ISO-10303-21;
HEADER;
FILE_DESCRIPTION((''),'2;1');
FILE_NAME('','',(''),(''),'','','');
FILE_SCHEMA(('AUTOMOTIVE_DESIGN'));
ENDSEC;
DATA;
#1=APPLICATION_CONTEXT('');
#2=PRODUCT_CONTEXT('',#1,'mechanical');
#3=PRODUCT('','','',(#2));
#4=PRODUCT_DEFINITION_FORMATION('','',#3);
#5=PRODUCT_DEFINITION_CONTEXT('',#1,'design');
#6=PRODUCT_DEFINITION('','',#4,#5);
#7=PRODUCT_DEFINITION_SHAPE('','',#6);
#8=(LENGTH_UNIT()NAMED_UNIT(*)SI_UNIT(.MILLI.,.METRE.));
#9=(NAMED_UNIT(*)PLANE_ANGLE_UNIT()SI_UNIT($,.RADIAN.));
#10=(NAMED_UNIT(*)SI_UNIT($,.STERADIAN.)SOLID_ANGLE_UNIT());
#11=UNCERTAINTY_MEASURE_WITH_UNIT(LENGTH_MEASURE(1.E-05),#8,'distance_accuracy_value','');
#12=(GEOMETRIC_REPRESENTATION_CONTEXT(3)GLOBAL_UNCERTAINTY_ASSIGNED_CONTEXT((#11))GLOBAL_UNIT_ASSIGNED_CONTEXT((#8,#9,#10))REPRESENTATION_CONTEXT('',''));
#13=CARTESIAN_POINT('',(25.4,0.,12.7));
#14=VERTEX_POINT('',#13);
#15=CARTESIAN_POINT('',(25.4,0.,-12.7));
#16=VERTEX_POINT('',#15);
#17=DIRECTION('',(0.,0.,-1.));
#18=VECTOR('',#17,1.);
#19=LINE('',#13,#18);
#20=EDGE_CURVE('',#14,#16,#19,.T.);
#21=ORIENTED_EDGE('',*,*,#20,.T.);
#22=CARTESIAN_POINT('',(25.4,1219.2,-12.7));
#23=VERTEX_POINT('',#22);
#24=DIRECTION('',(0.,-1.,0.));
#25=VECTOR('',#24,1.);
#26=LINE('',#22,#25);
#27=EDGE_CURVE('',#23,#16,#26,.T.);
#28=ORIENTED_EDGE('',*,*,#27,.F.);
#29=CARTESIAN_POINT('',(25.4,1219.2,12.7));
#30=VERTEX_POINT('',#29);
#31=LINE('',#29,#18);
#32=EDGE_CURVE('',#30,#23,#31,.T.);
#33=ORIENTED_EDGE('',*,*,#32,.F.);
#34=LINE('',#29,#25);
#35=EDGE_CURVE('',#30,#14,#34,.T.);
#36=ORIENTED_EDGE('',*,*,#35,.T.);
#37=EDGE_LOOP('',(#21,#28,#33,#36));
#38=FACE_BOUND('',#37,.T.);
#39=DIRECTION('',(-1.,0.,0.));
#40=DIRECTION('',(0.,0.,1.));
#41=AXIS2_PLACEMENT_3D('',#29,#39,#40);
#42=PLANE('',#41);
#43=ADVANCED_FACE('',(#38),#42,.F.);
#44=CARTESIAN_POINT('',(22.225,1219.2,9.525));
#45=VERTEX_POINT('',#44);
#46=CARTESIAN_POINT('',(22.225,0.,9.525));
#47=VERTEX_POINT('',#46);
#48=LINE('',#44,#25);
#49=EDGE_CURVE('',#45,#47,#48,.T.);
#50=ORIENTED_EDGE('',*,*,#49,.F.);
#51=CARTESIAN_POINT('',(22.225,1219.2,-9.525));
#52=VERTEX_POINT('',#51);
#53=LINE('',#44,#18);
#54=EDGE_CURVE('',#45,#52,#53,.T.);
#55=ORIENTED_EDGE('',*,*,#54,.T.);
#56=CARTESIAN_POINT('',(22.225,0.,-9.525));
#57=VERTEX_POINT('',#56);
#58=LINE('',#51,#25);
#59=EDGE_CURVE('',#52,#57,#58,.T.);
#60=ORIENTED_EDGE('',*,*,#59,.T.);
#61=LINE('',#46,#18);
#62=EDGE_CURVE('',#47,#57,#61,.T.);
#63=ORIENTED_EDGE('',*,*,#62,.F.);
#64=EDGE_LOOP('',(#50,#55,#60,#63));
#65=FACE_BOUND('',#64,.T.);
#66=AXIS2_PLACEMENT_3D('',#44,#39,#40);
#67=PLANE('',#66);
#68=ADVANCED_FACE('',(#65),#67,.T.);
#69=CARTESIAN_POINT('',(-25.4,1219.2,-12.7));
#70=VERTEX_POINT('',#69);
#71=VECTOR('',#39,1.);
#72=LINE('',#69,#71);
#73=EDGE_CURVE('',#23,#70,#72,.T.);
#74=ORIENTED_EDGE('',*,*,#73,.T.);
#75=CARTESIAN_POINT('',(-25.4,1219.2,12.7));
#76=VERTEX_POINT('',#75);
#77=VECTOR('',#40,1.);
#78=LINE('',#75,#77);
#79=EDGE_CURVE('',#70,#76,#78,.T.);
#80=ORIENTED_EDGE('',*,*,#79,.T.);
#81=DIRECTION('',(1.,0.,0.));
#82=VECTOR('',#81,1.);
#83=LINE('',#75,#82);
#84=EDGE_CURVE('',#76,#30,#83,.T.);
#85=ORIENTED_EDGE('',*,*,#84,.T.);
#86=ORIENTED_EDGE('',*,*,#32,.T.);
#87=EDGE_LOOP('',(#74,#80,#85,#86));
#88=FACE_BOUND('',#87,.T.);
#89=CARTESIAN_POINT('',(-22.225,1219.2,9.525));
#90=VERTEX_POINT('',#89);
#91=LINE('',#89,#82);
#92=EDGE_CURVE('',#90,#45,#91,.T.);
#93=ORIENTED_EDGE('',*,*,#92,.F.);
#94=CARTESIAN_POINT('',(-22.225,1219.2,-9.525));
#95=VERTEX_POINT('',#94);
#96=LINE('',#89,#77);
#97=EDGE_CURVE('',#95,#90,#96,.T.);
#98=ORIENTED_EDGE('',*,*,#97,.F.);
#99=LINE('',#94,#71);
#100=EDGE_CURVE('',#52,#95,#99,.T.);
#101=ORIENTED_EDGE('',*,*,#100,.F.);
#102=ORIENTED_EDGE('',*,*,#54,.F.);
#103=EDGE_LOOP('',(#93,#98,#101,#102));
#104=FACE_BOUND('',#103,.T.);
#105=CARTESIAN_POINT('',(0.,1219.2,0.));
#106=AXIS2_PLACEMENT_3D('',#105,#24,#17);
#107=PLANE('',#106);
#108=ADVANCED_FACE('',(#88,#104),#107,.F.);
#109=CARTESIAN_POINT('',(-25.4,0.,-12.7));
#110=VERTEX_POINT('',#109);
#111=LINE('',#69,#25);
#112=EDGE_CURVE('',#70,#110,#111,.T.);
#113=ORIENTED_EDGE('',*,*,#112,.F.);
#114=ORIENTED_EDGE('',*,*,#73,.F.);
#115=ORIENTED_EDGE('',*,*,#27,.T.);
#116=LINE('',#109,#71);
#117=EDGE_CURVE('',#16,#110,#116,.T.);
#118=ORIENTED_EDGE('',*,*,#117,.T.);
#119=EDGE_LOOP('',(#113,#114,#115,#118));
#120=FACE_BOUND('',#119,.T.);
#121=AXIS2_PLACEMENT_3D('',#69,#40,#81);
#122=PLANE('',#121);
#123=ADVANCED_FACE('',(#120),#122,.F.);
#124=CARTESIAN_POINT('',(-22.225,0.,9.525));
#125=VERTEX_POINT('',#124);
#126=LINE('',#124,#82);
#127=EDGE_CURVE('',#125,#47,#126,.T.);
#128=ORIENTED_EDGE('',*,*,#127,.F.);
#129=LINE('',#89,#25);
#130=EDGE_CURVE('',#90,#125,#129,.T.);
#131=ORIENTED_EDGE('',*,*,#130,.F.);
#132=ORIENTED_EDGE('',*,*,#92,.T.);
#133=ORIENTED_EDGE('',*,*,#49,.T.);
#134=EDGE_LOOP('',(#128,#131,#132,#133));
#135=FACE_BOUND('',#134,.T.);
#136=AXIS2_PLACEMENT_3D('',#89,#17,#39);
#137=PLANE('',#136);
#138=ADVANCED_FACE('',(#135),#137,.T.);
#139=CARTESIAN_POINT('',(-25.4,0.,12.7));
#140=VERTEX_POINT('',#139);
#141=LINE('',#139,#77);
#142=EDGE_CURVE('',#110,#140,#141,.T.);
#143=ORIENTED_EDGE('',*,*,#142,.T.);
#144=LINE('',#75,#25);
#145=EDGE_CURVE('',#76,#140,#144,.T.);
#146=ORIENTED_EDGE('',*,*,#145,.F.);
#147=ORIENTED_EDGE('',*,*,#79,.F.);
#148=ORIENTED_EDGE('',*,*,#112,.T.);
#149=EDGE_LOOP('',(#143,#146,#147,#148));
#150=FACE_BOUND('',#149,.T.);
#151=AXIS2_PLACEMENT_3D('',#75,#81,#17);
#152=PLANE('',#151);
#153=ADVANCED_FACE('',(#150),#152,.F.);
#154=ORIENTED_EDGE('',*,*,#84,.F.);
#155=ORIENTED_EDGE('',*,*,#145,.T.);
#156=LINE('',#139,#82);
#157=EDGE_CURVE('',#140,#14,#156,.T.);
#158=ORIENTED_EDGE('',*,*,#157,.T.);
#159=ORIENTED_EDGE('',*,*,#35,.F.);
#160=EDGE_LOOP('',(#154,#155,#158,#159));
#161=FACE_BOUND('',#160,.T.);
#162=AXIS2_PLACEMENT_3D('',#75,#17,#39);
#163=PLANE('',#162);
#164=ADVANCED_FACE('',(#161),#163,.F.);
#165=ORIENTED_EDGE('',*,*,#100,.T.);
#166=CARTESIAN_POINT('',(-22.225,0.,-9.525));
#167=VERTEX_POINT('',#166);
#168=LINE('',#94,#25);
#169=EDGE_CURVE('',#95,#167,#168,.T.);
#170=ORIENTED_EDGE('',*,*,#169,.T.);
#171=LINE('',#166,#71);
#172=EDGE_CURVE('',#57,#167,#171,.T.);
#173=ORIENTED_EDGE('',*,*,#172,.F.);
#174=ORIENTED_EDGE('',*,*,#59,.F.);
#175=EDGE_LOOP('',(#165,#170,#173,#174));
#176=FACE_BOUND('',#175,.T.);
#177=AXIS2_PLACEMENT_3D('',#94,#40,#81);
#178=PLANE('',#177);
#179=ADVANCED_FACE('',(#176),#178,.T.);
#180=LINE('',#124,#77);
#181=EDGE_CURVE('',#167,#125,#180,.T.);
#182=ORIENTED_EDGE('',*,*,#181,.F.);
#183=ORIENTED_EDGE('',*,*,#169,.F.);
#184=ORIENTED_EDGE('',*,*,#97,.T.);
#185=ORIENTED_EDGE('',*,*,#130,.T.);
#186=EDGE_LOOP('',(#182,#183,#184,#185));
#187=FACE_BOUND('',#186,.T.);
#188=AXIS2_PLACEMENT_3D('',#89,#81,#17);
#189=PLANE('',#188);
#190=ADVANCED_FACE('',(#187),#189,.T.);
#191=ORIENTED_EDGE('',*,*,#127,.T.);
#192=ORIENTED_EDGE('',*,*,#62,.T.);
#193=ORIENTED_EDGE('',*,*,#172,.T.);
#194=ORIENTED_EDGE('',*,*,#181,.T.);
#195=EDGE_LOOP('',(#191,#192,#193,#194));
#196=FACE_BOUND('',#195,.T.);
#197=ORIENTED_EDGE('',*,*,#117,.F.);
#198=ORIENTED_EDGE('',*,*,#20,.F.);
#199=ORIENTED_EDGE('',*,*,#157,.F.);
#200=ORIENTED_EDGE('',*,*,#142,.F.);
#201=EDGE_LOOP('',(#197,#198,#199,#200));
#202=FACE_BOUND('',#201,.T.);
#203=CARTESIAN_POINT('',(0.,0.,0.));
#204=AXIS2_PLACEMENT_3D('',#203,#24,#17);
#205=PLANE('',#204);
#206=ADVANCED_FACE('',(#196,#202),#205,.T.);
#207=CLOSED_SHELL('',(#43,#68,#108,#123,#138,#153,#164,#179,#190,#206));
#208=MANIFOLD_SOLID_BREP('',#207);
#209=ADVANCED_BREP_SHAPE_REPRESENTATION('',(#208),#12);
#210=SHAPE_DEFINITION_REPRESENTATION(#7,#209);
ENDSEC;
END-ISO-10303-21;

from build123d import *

# Parameters (mm, degrees)
SKETCH1_W           = 50.8
SKETCH1_H           = 25.4
SKETCH1_W_2         = 44.45
SKETCH1_H_2         = 19.05
BOSS_EXTRUDE1_DEPTH = 1219.2


with BuildPart() as part:
    # Sketch1 → Boss-Extrude1 (new body)
    with BuildSketch(Plane(origin=(0, 0, 0), x_dir=(1, 0, 0), z_dir=(0, 1, 0))):
        Rectangle(SKETCH1_W, SKETCH1_H)
        Rectangle(SKETCH1_W_2, SKETCH1_H_2, mode=Mode.SUBTRACT)
    extrude(amount=BOSS_EXTRUDE1_DEPTH)


solid = part.part
